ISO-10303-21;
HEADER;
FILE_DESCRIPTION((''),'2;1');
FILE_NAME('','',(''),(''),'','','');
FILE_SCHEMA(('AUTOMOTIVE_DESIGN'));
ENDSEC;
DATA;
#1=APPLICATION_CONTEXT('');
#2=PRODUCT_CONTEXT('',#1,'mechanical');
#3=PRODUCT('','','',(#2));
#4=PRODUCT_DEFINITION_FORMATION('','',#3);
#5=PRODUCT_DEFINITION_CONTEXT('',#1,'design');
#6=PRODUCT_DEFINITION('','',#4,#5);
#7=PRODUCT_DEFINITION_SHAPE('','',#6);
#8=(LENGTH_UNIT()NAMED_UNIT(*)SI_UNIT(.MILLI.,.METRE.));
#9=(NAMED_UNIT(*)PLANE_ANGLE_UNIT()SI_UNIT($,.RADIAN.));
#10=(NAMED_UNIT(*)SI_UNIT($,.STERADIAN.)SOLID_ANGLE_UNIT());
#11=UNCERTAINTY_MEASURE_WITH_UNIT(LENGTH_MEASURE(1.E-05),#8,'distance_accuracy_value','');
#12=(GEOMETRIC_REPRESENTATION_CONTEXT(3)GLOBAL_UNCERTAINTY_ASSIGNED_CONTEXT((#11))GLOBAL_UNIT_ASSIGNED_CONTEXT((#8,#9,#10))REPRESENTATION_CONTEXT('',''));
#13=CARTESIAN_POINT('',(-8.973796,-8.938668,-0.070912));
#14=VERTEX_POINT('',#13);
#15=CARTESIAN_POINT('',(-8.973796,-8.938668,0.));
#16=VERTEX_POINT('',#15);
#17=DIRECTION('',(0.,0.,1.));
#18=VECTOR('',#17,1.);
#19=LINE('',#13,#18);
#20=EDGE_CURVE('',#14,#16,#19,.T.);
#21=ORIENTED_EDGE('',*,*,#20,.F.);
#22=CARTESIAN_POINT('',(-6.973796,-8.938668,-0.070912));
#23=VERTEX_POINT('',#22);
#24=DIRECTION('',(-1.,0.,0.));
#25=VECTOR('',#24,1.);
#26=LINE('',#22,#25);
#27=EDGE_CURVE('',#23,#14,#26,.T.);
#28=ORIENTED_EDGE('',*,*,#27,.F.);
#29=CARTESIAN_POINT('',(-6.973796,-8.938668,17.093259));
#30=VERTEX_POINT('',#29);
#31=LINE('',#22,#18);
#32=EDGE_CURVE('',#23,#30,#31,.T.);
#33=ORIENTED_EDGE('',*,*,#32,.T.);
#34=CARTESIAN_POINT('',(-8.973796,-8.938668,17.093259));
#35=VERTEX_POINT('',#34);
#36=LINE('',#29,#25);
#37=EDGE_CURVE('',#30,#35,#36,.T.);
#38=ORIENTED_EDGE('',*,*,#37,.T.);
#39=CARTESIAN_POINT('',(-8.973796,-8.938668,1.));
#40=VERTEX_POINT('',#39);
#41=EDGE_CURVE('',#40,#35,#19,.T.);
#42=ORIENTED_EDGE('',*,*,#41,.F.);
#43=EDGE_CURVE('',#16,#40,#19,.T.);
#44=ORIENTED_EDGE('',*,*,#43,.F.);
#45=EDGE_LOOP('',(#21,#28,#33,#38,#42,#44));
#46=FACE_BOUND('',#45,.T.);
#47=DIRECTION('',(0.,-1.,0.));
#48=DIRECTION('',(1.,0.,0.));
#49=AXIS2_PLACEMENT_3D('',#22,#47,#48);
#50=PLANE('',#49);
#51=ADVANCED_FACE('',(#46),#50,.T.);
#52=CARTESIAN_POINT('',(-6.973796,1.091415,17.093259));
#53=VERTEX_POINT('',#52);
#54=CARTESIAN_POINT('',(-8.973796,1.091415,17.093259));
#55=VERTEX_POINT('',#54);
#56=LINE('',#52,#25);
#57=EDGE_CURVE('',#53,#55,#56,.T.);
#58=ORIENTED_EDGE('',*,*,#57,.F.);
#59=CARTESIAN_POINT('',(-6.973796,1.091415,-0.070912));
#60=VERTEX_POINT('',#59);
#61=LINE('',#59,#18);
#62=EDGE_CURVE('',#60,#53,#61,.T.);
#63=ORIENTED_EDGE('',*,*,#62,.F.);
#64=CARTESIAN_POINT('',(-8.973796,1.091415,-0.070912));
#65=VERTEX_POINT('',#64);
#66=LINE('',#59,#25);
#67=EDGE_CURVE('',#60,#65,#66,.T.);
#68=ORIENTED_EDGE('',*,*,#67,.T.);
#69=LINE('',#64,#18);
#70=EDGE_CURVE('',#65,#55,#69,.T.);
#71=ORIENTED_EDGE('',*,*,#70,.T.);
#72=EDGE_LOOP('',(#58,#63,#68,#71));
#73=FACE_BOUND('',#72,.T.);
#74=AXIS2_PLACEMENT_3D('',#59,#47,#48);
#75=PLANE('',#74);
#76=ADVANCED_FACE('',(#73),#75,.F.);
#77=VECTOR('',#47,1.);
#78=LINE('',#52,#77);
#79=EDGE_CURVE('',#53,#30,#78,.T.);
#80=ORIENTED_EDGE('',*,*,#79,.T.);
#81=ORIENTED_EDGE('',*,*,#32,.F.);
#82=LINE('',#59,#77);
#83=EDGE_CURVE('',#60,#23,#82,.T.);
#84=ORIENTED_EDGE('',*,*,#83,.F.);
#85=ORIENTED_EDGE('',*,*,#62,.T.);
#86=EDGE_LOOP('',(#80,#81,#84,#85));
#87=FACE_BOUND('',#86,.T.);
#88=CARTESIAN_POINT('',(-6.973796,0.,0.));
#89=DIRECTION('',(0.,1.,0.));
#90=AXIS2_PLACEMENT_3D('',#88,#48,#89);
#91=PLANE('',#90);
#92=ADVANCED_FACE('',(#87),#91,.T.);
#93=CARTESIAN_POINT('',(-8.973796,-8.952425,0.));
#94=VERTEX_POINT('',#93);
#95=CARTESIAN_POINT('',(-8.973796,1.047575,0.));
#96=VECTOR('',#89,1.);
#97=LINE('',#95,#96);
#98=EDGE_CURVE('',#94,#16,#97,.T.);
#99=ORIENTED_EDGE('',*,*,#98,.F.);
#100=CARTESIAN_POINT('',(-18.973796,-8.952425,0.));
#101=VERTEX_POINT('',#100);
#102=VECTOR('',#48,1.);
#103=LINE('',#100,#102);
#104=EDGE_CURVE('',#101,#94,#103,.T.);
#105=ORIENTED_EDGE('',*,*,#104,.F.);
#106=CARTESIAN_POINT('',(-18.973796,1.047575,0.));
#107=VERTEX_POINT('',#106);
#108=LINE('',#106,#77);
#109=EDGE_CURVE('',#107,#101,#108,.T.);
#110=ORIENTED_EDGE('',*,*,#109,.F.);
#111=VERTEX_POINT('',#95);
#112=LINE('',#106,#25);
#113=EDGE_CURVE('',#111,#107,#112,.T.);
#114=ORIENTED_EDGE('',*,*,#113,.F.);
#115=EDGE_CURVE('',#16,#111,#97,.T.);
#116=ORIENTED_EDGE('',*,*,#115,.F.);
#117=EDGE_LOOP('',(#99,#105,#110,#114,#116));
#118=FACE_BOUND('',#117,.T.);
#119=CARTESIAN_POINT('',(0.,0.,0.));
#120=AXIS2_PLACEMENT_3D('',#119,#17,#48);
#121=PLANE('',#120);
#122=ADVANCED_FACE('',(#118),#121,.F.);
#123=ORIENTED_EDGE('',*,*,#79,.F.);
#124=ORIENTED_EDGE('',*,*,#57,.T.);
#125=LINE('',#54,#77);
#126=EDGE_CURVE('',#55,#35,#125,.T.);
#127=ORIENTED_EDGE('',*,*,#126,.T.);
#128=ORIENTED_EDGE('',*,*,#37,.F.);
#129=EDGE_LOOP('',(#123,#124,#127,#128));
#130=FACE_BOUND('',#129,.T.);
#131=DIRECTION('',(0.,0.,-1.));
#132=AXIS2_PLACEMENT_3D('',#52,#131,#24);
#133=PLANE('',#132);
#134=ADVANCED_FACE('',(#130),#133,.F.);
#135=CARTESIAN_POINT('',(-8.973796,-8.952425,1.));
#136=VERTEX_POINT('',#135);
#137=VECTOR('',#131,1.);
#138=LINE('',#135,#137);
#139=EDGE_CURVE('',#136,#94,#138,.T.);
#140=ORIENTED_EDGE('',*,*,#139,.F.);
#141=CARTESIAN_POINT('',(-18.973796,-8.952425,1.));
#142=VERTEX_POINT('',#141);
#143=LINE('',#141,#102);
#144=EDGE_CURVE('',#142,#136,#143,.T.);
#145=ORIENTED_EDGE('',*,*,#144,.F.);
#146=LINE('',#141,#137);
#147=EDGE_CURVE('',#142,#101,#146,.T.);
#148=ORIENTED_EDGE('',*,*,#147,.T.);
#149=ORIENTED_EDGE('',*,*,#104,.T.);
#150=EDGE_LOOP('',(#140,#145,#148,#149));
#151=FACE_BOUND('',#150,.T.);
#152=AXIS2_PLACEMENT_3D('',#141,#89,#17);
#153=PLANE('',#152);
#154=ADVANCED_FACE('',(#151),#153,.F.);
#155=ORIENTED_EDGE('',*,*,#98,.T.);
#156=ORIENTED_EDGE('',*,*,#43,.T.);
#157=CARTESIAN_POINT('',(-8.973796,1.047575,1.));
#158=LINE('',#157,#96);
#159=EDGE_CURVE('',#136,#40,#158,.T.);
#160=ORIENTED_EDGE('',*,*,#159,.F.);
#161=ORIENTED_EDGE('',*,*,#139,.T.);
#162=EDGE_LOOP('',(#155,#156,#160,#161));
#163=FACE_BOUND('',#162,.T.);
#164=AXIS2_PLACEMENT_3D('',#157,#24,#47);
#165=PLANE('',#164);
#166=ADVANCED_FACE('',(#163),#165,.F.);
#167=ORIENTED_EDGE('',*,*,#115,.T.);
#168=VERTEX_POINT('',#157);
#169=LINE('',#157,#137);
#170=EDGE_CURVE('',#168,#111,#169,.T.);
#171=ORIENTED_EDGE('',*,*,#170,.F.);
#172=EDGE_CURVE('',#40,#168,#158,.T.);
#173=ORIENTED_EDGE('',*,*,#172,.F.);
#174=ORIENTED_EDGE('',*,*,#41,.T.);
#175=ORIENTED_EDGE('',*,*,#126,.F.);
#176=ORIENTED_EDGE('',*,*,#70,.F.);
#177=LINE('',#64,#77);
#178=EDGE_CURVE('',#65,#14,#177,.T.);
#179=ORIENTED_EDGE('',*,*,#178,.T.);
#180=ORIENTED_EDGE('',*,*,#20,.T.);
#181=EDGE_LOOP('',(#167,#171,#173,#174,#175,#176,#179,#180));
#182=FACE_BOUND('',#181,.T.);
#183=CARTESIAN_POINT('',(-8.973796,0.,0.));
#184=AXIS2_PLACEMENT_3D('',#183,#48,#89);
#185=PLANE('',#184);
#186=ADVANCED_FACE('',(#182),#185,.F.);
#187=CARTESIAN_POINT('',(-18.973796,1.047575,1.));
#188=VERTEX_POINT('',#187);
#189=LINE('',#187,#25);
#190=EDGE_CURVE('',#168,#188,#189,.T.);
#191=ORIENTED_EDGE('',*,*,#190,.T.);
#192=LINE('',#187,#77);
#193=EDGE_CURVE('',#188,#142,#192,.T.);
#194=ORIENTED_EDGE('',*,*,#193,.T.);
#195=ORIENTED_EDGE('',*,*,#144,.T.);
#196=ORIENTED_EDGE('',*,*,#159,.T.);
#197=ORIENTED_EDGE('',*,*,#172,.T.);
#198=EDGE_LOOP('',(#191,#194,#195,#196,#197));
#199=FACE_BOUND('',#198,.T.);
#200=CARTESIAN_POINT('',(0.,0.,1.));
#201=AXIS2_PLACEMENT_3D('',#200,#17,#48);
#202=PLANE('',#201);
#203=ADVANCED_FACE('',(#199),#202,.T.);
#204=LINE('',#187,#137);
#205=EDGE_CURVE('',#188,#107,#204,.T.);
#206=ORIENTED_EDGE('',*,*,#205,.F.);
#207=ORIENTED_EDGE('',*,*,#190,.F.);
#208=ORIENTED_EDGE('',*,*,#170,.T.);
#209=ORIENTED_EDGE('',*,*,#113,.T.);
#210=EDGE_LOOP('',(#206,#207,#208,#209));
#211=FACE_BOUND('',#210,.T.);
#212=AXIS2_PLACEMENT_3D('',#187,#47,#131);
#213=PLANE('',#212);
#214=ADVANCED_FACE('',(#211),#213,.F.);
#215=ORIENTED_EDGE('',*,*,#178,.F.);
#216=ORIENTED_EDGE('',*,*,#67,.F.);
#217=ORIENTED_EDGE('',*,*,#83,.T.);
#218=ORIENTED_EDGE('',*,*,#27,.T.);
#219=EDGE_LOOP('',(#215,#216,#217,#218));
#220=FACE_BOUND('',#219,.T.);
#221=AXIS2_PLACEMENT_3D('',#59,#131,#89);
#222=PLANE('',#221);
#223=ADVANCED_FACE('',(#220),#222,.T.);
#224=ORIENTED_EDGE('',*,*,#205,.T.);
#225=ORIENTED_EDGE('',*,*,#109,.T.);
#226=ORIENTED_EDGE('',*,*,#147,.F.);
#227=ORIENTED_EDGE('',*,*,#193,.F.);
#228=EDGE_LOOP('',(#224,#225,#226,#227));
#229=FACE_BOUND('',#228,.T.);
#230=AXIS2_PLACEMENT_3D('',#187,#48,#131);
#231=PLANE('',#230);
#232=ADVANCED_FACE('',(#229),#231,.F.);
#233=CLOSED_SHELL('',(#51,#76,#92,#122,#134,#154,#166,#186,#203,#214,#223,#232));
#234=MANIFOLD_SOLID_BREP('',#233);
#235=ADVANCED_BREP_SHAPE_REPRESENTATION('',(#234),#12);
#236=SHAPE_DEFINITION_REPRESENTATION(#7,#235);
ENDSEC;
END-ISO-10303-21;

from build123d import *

# Parameters (mm, degrees)
SKETCH1_W           = 10
SKETCH1_H           = 10
BOSS_EXTRUDE1_DEPTH = 1
SKETCH2_W           = 17.164171265
SKETCH2_H           = 10.030082425
BOSS_EXTRUDE3_DEPTH = 2


with BuildPart() as part:
    # Sketch1 → Boss-Extrude1 (new body)
    with BuildSketch(Plane.XY):
        with Locations((-13.973795824, -3.95242479)):
            Rectangle(SKETCH1_W, SKETCH1_H)
    extrude(amount=BOSS_EXTRUDE1_DEPTH)

    # Sketch2 → Boss-Extrude3 (add)
    with BuildSketch(Plane(origin=(-8.973795824, 0, 0), x_dir=(0, 0, -1), z_dir=(1, 0, 0))):
        with Locations((-8.511173274, -3.923626572)):
            Rectangle(SKETCH2_W, SKETCH2_H)
    extrude(amount=BOSS_EXTRUDE3_DEPTH)


solid = part.part
